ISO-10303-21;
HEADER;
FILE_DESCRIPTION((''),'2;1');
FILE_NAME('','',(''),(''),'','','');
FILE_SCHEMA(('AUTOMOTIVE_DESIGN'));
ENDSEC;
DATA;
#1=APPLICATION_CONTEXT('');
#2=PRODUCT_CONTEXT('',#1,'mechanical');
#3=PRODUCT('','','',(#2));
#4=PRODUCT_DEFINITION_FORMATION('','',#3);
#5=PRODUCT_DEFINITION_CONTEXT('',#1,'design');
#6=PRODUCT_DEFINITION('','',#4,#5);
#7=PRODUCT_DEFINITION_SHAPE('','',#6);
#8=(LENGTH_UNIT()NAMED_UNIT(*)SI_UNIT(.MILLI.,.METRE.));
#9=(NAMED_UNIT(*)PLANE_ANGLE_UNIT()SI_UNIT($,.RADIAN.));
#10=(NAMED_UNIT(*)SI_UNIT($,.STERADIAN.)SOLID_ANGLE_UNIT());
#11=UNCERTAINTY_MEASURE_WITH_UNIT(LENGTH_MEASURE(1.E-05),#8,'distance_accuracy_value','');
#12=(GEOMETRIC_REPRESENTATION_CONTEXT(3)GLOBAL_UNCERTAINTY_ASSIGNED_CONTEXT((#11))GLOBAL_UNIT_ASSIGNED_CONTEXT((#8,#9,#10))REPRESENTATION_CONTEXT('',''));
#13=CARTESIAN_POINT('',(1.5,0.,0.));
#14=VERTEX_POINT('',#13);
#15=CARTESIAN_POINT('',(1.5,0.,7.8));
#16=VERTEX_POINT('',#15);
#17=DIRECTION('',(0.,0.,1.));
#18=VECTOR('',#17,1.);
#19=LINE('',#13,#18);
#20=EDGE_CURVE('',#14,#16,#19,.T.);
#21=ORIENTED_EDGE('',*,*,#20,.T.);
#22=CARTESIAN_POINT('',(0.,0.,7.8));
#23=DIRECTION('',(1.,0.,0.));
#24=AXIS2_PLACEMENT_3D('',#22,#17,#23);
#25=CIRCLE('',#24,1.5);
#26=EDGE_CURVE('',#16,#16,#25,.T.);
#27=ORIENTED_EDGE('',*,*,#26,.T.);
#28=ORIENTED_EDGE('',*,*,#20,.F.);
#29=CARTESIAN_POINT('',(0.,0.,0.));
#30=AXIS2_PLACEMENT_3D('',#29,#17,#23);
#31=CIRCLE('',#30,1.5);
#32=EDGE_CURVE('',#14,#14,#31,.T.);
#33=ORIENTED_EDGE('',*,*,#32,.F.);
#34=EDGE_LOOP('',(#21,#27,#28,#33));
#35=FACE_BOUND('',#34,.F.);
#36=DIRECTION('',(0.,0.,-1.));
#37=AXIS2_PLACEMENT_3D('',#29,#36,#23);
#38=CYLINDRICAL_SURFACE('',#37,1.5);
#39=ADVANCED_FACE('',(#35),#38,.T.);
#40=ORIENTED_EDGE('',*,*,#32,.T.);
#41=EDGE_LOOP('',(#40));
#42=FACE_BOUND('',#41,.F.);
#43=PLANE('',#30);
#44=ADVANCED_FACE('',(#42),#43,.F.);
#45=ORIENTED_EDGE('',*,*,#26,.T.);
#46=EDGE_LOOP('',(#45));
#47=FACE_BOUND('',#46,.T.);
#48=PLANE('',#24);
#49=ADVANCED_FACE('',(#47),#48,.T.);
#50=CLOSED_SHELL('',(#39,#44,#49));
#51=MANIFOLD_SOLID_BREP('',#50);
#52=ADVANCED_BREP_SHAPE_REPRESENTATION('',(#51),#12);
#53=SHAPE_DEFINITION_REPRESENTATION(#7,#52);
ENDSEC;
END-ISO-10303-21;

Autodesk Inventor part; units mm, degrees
ref_plane "YZ Plane" through (0, 0, 0) normal (1, 0, 0) x (0, 1, 0)
ref_plane "XZ Plane" through (0, 0, 0) normal (0, 1, 0) x (-1, 0, 0)
ref_plane "XY Plane" through (0, 0, 0) normal (0, 0, 1) x (1, 0, 0)
sketch "Эскиз1" plane through (0, 0, 0) normal (0, 0, 1) x (1, 0, 0)
  circle A0 centre (0, 0) radius 1.5
  dimension "d0" = 3
extrude "Выдавливание1" add sketch "Эскиз1" along normal blind 7.8
properties part number "Ось 3мм рулевого управления"
